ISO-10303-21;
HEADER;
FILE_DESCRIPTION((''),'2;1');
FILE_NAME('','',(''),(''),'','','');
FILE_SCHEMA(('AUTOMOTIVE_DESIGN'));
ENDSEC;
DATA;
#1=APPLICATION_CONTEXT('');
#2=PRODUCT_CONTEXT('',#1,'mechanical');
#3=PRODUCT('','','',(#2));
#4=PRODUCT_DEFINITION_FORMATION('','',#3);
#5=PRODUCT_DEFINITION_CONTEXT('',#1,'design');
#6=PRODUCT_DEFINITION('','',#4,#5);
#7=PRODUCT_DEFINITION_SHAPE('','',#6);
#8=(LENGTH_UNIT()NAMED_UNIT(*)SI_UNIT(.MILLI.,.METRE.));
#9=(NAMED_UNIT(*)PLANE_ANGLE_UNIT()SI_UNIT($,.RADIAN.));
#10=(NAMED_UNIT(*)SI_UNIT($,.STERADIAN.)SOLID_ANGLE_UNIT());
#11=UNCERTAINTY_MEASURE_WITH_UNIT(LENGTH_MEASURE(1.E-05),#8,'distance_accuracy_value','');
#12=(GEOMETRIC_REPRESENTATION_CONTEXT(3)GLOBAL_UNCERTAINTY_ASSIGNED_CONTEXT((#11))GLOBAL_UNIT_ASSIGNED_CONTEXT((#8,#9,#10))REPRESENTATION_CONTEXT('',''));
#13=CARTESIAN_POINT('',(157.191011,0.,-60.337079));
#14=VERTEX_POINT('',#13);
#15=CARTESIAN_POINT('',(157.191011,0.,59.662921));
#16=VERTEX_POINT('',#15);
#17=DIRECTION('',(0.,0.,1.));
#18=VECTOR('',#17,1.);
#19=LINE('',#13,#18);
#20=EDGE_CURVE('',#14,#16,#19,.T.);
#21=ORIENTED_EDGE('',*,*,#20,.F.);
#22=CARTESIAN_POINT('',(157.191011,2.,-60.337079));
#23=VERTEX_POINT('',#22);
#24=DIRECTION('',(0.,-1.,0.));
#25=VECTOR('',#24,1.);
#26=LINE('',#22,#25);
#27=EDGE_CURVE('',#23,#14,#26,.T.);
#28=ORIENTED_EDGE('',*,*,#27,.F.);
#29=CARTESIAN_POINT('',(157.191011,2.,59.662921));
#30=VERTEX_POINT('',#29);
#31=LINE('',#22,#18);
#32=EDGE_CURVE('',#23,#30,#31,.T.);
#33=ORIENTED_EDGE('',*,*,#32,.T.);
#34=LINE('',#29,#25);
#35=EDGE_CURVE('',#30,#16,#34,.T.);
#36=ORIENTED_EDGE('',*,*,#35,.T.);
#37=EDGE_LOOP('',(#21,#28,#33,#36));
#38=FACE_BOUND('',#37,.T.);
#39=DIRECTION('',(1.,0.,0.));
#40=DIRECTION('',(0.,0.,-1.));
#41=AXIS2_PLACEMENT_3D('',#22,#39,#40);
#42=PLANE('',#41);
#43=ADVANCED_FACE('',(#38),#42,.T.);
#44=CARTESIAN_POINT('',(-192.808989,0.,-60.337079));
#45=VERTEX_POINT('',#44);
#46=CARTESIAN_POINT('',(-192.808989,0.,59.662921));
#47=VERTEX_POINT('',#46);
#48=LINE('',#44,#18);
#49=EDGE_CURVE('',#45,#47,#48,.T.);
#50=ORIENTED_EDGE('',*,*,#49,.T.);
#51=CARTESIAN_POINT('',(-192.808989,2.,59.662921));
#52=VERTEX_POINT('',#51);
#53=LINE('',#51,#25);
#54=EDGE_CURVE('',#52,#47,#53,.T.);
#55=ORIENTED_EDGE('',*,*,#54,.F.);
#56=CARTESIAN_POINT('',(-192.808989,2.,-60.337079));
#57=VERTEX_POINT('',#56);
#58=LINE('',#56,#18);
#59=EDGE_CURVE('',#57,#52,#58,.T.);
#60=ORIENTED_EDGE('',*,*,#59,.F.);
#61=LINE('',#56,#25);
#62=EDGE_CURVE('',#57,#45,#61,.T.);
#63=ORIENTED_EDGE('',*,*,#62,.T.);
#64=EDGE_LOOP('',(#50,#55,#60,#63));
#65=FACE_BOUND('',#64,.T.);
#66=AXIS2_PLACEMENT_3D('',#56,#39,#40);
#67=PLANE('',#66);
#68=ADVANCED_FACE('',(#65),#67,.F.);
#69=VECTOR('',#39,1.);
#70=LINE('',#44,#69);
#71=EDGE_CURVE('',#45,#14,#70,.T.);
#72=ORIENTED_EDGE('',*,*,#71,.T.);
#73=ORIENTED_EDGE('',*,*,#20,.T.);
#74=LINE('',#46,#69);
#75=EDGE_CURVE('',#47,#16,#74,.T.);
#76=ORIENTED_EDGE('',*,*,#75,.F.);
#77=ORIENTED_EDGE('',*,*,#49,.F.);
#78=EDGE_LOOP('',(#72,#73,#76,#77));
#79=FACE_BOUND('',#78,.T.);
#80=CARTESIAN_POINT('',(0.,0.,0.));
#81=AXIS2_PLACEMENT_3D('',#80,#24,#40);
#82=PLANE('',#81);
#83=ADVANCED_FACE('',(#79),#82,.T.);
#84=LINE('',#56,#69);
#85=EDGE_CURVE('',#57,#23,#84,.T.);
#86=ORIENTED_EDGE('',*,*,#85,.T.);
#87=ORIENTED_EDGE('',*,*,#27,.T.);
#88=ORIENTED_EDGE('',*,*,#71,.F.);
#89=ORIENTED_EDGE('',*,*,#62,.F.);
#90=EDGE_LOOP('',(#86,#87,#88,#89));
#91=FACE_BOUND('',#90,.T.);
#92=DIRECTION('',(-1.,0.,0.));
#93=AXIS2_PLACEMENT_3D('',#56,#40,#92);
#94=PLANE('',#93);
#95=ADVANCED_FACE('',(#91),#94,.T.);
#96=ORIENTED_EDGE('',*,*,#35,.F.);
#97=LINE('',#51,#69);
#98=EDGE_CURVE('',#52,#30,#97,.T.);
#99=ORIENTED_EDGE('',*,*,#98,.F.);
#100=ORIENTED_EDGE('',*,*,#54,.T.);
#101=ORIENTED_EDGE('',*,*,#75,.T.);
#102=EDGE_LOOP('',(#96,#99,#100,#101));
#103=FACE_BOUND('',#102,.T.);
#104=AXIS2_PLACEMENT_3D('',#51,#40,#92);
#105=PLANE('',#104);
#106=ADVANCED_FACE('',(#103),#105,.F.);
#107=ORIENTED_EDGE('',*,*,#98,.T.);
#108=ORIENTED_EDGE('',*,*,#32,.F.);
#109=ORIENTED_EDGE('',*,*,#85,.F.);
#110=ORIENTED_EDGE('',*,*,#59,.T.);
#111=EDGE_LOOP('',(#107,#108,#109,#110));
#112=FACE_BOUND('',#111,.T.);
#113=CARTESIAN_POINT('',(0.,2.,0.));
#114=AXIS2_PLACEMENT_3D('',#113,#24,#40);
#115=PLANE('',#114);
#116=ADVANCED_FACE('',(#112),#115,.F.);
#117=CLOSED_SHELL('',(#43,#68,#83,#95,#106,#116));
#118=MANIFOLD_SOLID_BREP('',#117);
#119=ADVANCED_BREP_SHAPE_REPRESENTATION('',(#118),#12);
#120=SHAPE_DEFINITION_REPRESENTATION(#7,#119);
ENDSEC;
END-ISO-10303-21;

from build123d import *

# Parameters (mm, degrees)
SKETCH_2_W      = 350
SKETCH_2_H      = 120
EXTRUDE_2_DEPTH = 2


with BuildPart() as part:
    # 草图2 → 凸台-拉伸2 (new body)
    with BuildSketch(Plane(origin=(0, 0, 0), x_dir=(1, 0, 0), z_dir=(0, 1, 0))):
        with Locations((-17.808988764, 0.337078652)):
            Rectangle(SKETCH_2_W, SKETCH_2_H)
    extrude(amount=EXTRUDE_2_DEPTH)


solid = part.part
